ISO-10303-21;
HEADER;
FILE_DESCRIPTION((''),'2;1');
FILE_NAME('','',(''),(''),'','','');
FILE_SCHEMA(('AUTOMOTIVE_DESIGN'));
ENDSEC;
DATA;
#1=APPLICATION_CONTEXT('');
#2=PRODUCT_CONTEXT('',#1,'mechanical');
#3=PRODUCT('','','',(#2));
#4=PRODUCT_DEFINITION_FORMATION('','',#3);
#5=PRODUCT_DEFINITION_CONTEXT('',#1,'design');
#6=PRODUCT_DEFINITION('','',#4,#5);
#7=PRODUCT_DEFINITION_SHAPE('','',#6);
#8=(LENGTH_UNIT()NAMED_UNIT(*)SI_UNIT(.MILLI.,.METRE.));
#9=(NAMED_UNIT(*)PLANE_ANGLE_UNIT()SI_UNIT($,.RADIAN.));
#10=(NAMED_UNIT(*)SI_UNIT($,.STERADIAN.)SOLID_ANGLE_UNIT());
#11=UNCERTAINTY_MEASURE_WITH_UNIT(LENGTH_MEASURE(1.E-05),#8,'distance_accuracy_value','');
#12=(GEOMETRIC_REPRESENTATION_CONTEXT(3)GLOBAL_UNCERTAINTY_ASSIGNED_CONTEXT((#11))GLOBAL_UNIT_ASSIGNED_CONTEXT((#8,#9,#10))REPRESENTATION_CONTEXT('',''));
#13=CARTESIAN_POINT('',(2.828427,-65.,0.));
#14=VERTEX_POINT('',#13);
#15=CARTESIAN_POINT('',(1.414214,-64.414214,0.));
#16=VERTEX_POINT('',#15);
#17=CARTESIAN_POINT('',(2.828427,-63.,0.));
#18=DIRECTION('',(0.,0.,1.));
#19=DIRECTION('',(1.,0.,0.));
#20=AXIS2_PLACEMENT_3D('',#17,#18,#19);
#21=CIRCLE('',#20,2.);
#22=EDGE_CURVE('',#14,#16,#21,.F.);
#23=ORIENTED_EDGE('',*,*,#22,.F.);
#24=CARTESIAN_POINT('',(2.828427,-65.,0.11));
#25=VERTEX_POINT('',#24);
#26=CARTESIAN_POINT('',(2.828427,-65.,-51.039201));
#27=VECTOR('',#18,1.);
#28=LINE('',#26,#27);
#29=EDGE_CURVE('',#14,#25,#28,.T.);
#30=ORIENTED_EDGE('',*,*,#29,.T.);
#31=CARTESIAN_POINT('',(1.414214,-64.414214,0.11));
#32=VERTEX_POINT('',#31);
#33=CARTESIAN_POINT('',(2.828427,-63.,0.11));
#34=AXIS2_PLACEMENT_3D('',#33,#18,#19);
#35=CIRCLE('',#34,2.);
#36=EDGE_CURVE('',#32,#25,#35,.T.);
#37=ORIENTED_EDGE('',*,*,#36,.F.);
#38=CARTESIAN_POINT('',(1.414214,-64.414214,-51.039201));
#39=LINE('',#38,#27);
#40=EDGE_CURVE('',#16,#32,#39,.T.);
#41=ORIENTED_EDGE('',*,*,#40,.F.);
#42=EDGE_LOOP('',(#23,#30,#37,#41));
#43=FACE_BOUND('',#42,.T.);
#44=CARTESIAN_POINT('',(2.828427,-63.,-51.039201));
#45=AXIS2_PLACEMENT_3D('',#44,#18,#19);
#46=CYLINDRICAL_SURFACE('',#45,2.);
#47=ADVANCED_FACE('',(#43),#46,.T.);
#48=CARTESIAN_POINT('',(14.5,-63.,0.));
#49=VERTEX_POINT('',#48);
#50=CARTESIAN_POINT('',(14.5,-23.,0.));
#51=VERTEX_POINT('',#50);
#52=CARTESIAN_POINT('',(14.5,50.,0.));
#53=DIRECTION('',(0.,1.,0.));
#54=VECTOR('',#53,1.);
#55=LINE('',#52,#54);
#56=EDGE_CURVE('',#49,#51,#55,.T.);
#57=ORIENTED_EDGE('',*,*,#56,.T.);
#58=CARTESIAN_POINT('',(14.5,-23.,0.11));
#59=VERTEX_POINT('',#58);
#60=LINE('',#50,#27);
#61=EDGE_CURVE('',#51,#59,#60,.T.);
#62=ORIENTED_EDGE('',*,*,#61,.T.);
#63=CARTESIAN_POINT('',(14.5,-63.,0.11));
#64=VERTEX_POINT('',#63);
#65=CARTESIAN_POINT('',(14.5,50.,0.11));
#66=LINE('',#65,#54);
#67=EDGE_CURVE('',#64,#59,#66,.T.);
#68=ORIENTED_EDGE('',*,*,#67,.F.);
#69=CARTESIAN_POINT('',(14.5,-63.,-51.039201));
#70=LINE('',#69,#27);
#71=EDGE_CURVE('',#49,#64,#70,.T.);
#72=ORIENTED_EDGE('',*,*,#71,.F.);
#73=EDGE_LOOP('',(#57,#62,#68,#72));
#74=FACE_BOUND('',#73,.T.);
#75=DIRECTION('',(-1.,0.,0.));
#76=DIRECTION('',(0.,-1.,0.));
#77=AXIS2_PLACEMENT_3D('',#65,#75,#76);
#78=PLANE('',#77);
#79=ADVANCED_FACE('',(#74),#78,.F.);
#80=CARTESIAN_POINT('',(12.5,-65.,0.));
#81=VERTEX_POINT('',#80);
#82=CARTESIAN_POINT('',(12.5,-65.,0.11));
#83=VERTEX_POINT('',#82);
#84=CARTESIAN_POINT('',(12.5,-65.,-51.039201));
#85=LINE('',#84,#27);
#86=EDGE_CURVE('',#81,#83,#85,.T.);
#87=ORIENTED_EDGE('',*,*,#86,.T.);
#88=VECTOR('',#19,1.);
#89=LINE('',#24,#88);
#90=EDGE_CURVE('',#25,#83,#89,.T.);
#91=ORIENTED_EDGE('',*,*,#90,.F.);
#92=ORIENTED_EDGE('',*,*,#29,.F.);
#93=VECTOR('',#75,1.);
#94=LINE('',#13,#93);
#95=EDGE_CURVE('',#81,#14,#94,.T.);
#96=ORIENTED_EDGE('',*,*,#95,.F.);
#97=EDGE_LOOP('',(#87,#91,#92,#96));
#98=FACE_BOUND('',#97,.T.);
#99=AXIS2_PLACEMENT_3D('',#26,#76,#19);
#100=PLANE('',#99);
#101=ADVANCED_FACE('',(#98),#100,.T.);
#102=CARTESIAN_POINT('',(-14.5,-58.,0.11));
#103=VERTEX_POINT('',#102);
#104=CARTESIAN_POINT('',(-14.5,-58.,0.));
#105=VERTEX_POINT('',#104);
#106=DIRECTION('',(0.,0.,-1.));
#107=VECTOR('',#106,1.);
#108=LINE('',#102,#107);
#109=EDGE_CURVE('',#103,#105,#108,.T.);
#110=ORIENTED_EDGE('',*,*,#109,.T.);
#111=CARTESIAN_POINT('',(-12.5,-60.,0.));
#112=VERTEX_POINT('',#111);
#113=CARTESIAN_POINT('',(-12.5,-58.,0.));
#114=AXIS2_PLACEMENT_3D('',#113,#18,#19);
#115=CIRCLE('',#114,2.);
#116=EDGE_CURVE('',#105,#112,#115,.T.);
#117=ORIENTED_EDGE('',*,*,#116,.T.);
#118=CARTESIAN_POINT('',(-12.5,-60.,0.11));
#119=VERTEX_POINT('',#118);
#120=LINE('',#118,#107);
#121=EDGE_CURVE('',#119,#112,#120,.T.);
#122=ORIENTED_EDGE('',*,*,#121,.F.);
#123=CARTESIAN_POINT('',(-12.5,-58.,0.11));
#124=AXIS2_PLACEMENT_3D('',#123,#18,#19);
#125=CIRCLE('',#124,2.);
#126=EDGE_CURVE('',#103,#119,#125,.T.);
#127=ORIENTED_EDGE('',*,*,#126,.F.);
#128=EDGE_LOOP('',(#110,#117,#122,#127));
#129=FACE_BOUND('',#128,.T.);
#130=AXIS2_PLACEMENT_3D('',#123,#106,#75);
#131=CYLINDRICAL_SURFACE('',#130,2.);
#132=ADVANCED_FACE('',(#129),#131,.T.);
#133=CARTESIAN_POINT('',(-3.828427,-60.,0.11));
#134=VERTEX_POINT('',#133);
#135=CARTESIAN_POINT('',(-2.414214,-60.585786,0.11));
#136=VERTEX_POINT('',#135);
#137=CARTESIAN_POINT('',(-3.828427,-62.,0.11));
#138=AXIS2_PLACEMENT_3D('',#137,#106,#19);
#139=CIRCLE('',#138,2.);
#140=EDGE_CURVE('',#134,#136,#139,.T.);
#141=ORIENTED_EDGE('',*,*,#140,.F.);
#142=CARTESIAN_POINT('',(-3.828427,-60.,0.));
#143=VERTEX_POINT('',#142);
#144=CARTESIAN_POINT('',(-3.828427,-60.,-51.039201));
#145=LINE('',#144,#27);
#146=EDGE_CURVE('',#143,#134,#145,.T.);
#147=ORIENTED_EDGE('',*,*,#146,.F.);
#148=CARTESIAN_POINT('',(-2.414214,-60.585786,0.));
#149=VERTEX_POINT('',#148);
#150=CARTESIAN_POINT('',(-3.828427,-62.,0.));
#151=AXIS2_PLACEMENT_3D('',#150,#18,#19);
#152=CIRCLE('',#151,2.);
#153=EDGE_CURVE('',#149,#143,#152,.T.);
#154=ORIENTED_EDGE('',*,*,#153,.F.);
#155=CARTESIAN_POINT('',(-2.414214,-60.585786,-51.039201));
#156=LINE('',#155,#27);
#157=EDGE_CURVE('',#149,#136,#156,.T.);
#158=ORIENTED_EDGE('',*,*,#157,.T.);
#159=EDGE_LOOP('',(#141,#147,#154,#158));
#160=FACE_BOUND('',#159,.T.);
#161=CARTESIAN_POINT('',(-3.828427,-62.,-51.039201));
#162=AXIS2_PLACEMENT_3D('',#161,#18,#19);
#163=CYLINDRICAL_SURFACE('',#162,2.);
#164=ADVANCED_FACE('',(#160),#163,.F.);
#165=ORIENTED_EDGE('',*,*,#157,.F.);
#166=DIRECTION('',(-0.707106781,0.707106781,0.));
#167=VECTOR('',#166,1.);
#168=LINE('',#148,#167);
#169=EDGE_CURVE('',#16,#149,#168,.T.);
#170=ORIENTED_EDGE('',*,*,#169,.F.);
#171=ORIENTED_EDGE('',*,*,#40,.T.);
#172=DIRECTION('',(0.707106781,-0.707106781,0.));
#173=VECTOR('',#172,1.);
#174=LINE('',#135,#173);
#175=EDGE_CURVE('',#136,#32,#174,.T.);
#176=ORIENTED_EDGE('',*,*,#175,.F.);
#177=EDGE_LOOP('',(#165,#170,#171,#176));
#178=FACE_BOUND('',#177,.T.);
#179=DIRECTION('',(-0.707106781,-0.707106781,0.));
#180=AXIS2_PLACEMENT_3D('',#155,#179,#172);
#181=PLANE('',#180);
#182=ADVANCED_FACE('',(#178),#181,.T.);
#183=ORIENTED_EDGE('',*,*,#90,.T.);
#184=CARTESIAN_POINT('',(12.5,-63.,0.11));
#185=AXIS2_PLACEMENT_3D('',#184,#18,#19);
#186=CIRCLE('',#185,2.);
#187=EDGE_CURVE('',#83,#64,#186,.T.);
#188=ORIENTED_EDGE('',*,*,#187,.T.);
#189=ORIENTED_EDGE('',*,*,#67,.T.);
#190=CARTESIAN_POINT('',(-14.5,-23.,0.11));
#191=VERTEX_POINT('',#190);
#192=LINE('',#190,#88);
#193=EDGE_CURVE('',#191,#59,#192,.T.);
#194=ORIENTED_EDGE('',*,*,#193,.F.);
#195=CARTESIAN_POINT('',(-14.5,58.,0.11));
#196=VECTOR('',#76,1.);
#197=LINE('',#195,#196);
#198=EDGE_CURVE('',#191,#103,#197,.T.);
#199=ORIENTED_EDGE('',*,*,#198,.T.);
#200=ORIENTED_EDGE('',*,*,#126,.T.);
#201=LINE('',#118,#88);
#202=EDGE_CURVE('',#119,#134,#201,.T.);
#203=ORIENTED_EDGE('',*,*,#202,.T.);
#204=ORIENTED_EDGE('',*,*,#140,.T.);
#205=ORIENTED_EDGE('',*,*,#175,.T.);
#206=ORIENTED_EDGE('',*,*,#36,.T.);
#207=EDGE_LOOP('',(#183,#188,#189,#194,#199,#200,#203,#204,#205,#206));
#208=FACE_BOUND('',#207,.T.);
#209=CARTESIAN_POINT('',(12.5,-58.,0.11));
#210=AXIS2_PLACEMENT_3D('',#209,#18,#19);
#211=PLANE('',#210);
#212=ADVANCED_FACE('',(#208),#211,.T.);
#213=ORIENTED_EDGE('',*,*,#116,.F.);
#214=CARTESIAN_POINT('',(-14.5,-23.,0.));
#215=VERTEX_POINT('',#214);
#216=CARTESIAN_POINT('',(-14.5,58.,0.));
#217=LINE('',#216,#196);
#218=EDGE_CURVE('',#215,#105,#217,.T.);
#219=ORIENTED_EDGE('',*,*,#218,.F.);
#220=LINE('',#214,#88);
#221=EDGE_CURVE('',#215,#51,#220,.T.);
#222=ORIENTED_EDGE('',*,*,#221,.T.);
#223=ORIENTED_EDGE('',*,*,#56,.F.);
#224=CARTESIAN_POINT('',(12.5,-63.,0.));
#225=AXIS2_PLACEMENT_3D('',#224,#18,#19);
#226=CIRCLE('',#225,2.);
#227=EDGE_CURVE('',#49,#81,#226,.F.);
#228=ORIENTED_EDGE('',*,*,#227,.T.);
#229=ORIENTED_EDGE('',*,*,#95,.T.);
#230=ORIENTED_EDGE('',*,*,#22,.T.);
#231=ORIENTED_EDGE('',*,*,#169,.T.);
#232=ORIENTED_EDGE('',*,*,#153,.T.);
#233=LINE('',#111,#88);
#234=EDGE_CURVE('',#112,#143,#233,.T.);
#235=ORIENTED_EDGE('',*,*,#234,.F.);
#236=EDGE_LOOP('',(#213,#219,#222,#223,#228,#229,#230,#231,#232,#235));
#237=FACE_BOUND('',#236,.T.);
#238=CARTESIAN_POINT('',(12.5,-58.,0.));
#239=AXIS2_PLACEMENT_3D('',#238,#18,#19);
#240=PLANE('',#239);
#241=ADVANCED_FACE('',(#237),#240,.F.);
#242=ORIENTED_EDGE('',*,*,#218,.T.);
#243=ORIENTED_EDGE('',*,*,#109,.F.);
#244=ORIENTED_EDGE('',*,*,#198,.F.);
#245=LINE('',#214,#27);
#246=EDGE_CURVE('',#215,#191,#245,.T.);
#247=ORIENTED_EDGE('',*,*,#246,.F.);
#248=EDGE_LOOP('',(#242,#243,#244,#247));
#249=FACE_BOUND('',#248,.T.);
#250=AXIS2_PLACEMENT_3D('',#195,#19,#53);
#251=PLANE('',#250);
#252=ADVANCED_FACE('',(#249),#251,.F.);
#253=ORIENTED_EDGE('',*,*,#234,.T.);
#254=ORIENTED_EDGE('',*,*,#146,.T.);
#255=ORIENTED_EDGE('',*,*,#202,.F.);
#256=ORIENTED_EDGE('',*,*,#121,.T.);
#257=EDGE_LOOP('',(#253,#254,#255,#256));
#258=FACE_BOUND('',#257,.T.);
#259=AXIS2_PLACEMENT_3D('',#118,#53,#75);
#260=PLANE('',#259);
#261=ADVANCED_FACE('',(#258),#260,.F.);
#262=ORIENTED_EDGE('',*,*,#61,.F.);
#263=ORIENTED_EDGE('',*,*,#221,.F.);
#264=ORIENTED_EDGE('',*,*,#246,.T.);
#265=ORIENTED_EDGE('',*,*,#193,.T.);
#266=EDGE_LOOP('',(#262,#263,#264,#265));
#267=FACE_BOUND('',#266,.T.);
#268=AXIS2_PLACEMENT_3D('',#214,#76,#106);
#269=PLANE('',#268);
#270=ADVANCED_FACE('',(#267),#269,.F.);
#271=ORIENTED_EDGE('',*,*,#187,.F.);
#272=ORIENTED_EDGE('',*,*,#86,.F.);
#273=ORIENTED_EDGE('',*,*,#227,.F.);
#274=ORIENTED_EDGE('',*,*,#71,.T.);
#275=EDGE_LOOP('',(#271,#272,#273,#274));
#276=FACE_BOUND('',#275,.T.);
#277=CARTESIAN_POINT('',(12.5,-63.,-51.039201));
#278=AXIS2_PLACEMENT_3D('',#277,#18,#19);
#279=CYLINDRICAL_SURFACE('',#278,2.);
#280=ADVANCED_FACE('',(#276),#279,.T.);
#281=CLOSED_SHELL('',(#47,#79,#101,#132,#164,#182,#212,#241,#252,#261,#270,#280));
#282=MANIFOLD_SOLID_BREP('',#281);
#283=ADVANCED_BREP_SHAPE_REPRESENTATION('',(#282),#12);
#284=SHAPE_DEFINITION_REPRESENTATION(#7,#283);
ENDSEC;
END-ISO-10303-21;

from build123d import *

# Parameters (mm, degrees)
BOSS_EXTRUDE1_DEPTH = 0.11
CUT_EXTRUDE1_DEPTH  = 62.727320532
BOSS_EXTRUDE2_START = -0.11
BOSS_EXTRUDE2_DEPTH = 0.11


with BuildPart() as part:
    # Sketch3 → Boss-Extrude1 (new body)
    with BuildSketch(Plane.XY):
        with BuildLine():
            Line((-12.5, 60), (4.5, 60))
            ThreePointArc((4.5, 60), (11.571067812, 57.071067812), (14.5, 50))
            Line((14.5, 50), (14.5, -58))
            ThreePointArc((14.5, -58), (13.914213562, -59.414213562), (12.5, -60))
            Line((12.5, -60), (-12.5, -60))
            ThreePointArc((-12.5, -60), (-13.914213562, -59.414213562), (-14.5, -58))
            Line((-14.5, -58), (-14.5, 58))
            ThreePointArc((-14.5, 58), (-13.914213562, 59.414213562), (-12.5, 60))
        make_face()
    extrude(amount=BOSS_EXTRUDE1_DEPTH)

    # Sketch4 → Cut-Extrude1 (cut, through all)
    with BuildSketch(Plane.XY.offset(0.11)):
        with BuildLine():
            Line((-14.5, -23), (14.5, -23))
            Line((14.5, -23), (14.5, 50))
            ThreePointArc((14.5, 50), (11.571067812, 57.071067812), (4.5, 60))
            Line((4.5, 60), (-12.5, 60))
            ThreePointArc((-12.5, 60), (-13.914213562, 59.414213562), (-14.5, 58))
            Line((-14.5, 58), (-14.5, -23))
        make_face()
    extrude(amount=-CUT_EXTRUDE1_DEPTH, mode=Mode.SUBTRACT)

    # Sketch5 → Boss-Extrude2 (add)
    with BuildSketch(Plane.XY.offset(0.11).offset(BOSS_EXTRUDE2_START)):
        with BuildLine():
            Line((14.5, -63), (14.5, -23))
            Line((14.5, -23), (-14.5, -23))
            Line((-14.5, -23), (-14.5, -58))
            ThreePointArc((-14.5, -58), (-13.914213562, -59.414213562), (-12.5, -60))
            Line((-12.5, -60), (-3.828427125, -60))
            ThreePointArc((-3.828427125, -60), (-3.06306026, -60.152240935), (-2.414213562, -60.585786438))
            Line((-2.414213562, -60.585786438), (1.414213562, -64.414213562))
            ThreePointArc((1.414213562, -64.414213562), (2.06306026, -64.847759065), (2.828427125, -65))
            Line((2.828427125, -65), (12.5, -65))
            ThreePointArc((12.5, -65), (13.914213562, -64.414213562), (14.5, -63))
        make_face()
    extrude(amount=BOSS_EXTRUDE2_DEPTH)


solid = part.part
